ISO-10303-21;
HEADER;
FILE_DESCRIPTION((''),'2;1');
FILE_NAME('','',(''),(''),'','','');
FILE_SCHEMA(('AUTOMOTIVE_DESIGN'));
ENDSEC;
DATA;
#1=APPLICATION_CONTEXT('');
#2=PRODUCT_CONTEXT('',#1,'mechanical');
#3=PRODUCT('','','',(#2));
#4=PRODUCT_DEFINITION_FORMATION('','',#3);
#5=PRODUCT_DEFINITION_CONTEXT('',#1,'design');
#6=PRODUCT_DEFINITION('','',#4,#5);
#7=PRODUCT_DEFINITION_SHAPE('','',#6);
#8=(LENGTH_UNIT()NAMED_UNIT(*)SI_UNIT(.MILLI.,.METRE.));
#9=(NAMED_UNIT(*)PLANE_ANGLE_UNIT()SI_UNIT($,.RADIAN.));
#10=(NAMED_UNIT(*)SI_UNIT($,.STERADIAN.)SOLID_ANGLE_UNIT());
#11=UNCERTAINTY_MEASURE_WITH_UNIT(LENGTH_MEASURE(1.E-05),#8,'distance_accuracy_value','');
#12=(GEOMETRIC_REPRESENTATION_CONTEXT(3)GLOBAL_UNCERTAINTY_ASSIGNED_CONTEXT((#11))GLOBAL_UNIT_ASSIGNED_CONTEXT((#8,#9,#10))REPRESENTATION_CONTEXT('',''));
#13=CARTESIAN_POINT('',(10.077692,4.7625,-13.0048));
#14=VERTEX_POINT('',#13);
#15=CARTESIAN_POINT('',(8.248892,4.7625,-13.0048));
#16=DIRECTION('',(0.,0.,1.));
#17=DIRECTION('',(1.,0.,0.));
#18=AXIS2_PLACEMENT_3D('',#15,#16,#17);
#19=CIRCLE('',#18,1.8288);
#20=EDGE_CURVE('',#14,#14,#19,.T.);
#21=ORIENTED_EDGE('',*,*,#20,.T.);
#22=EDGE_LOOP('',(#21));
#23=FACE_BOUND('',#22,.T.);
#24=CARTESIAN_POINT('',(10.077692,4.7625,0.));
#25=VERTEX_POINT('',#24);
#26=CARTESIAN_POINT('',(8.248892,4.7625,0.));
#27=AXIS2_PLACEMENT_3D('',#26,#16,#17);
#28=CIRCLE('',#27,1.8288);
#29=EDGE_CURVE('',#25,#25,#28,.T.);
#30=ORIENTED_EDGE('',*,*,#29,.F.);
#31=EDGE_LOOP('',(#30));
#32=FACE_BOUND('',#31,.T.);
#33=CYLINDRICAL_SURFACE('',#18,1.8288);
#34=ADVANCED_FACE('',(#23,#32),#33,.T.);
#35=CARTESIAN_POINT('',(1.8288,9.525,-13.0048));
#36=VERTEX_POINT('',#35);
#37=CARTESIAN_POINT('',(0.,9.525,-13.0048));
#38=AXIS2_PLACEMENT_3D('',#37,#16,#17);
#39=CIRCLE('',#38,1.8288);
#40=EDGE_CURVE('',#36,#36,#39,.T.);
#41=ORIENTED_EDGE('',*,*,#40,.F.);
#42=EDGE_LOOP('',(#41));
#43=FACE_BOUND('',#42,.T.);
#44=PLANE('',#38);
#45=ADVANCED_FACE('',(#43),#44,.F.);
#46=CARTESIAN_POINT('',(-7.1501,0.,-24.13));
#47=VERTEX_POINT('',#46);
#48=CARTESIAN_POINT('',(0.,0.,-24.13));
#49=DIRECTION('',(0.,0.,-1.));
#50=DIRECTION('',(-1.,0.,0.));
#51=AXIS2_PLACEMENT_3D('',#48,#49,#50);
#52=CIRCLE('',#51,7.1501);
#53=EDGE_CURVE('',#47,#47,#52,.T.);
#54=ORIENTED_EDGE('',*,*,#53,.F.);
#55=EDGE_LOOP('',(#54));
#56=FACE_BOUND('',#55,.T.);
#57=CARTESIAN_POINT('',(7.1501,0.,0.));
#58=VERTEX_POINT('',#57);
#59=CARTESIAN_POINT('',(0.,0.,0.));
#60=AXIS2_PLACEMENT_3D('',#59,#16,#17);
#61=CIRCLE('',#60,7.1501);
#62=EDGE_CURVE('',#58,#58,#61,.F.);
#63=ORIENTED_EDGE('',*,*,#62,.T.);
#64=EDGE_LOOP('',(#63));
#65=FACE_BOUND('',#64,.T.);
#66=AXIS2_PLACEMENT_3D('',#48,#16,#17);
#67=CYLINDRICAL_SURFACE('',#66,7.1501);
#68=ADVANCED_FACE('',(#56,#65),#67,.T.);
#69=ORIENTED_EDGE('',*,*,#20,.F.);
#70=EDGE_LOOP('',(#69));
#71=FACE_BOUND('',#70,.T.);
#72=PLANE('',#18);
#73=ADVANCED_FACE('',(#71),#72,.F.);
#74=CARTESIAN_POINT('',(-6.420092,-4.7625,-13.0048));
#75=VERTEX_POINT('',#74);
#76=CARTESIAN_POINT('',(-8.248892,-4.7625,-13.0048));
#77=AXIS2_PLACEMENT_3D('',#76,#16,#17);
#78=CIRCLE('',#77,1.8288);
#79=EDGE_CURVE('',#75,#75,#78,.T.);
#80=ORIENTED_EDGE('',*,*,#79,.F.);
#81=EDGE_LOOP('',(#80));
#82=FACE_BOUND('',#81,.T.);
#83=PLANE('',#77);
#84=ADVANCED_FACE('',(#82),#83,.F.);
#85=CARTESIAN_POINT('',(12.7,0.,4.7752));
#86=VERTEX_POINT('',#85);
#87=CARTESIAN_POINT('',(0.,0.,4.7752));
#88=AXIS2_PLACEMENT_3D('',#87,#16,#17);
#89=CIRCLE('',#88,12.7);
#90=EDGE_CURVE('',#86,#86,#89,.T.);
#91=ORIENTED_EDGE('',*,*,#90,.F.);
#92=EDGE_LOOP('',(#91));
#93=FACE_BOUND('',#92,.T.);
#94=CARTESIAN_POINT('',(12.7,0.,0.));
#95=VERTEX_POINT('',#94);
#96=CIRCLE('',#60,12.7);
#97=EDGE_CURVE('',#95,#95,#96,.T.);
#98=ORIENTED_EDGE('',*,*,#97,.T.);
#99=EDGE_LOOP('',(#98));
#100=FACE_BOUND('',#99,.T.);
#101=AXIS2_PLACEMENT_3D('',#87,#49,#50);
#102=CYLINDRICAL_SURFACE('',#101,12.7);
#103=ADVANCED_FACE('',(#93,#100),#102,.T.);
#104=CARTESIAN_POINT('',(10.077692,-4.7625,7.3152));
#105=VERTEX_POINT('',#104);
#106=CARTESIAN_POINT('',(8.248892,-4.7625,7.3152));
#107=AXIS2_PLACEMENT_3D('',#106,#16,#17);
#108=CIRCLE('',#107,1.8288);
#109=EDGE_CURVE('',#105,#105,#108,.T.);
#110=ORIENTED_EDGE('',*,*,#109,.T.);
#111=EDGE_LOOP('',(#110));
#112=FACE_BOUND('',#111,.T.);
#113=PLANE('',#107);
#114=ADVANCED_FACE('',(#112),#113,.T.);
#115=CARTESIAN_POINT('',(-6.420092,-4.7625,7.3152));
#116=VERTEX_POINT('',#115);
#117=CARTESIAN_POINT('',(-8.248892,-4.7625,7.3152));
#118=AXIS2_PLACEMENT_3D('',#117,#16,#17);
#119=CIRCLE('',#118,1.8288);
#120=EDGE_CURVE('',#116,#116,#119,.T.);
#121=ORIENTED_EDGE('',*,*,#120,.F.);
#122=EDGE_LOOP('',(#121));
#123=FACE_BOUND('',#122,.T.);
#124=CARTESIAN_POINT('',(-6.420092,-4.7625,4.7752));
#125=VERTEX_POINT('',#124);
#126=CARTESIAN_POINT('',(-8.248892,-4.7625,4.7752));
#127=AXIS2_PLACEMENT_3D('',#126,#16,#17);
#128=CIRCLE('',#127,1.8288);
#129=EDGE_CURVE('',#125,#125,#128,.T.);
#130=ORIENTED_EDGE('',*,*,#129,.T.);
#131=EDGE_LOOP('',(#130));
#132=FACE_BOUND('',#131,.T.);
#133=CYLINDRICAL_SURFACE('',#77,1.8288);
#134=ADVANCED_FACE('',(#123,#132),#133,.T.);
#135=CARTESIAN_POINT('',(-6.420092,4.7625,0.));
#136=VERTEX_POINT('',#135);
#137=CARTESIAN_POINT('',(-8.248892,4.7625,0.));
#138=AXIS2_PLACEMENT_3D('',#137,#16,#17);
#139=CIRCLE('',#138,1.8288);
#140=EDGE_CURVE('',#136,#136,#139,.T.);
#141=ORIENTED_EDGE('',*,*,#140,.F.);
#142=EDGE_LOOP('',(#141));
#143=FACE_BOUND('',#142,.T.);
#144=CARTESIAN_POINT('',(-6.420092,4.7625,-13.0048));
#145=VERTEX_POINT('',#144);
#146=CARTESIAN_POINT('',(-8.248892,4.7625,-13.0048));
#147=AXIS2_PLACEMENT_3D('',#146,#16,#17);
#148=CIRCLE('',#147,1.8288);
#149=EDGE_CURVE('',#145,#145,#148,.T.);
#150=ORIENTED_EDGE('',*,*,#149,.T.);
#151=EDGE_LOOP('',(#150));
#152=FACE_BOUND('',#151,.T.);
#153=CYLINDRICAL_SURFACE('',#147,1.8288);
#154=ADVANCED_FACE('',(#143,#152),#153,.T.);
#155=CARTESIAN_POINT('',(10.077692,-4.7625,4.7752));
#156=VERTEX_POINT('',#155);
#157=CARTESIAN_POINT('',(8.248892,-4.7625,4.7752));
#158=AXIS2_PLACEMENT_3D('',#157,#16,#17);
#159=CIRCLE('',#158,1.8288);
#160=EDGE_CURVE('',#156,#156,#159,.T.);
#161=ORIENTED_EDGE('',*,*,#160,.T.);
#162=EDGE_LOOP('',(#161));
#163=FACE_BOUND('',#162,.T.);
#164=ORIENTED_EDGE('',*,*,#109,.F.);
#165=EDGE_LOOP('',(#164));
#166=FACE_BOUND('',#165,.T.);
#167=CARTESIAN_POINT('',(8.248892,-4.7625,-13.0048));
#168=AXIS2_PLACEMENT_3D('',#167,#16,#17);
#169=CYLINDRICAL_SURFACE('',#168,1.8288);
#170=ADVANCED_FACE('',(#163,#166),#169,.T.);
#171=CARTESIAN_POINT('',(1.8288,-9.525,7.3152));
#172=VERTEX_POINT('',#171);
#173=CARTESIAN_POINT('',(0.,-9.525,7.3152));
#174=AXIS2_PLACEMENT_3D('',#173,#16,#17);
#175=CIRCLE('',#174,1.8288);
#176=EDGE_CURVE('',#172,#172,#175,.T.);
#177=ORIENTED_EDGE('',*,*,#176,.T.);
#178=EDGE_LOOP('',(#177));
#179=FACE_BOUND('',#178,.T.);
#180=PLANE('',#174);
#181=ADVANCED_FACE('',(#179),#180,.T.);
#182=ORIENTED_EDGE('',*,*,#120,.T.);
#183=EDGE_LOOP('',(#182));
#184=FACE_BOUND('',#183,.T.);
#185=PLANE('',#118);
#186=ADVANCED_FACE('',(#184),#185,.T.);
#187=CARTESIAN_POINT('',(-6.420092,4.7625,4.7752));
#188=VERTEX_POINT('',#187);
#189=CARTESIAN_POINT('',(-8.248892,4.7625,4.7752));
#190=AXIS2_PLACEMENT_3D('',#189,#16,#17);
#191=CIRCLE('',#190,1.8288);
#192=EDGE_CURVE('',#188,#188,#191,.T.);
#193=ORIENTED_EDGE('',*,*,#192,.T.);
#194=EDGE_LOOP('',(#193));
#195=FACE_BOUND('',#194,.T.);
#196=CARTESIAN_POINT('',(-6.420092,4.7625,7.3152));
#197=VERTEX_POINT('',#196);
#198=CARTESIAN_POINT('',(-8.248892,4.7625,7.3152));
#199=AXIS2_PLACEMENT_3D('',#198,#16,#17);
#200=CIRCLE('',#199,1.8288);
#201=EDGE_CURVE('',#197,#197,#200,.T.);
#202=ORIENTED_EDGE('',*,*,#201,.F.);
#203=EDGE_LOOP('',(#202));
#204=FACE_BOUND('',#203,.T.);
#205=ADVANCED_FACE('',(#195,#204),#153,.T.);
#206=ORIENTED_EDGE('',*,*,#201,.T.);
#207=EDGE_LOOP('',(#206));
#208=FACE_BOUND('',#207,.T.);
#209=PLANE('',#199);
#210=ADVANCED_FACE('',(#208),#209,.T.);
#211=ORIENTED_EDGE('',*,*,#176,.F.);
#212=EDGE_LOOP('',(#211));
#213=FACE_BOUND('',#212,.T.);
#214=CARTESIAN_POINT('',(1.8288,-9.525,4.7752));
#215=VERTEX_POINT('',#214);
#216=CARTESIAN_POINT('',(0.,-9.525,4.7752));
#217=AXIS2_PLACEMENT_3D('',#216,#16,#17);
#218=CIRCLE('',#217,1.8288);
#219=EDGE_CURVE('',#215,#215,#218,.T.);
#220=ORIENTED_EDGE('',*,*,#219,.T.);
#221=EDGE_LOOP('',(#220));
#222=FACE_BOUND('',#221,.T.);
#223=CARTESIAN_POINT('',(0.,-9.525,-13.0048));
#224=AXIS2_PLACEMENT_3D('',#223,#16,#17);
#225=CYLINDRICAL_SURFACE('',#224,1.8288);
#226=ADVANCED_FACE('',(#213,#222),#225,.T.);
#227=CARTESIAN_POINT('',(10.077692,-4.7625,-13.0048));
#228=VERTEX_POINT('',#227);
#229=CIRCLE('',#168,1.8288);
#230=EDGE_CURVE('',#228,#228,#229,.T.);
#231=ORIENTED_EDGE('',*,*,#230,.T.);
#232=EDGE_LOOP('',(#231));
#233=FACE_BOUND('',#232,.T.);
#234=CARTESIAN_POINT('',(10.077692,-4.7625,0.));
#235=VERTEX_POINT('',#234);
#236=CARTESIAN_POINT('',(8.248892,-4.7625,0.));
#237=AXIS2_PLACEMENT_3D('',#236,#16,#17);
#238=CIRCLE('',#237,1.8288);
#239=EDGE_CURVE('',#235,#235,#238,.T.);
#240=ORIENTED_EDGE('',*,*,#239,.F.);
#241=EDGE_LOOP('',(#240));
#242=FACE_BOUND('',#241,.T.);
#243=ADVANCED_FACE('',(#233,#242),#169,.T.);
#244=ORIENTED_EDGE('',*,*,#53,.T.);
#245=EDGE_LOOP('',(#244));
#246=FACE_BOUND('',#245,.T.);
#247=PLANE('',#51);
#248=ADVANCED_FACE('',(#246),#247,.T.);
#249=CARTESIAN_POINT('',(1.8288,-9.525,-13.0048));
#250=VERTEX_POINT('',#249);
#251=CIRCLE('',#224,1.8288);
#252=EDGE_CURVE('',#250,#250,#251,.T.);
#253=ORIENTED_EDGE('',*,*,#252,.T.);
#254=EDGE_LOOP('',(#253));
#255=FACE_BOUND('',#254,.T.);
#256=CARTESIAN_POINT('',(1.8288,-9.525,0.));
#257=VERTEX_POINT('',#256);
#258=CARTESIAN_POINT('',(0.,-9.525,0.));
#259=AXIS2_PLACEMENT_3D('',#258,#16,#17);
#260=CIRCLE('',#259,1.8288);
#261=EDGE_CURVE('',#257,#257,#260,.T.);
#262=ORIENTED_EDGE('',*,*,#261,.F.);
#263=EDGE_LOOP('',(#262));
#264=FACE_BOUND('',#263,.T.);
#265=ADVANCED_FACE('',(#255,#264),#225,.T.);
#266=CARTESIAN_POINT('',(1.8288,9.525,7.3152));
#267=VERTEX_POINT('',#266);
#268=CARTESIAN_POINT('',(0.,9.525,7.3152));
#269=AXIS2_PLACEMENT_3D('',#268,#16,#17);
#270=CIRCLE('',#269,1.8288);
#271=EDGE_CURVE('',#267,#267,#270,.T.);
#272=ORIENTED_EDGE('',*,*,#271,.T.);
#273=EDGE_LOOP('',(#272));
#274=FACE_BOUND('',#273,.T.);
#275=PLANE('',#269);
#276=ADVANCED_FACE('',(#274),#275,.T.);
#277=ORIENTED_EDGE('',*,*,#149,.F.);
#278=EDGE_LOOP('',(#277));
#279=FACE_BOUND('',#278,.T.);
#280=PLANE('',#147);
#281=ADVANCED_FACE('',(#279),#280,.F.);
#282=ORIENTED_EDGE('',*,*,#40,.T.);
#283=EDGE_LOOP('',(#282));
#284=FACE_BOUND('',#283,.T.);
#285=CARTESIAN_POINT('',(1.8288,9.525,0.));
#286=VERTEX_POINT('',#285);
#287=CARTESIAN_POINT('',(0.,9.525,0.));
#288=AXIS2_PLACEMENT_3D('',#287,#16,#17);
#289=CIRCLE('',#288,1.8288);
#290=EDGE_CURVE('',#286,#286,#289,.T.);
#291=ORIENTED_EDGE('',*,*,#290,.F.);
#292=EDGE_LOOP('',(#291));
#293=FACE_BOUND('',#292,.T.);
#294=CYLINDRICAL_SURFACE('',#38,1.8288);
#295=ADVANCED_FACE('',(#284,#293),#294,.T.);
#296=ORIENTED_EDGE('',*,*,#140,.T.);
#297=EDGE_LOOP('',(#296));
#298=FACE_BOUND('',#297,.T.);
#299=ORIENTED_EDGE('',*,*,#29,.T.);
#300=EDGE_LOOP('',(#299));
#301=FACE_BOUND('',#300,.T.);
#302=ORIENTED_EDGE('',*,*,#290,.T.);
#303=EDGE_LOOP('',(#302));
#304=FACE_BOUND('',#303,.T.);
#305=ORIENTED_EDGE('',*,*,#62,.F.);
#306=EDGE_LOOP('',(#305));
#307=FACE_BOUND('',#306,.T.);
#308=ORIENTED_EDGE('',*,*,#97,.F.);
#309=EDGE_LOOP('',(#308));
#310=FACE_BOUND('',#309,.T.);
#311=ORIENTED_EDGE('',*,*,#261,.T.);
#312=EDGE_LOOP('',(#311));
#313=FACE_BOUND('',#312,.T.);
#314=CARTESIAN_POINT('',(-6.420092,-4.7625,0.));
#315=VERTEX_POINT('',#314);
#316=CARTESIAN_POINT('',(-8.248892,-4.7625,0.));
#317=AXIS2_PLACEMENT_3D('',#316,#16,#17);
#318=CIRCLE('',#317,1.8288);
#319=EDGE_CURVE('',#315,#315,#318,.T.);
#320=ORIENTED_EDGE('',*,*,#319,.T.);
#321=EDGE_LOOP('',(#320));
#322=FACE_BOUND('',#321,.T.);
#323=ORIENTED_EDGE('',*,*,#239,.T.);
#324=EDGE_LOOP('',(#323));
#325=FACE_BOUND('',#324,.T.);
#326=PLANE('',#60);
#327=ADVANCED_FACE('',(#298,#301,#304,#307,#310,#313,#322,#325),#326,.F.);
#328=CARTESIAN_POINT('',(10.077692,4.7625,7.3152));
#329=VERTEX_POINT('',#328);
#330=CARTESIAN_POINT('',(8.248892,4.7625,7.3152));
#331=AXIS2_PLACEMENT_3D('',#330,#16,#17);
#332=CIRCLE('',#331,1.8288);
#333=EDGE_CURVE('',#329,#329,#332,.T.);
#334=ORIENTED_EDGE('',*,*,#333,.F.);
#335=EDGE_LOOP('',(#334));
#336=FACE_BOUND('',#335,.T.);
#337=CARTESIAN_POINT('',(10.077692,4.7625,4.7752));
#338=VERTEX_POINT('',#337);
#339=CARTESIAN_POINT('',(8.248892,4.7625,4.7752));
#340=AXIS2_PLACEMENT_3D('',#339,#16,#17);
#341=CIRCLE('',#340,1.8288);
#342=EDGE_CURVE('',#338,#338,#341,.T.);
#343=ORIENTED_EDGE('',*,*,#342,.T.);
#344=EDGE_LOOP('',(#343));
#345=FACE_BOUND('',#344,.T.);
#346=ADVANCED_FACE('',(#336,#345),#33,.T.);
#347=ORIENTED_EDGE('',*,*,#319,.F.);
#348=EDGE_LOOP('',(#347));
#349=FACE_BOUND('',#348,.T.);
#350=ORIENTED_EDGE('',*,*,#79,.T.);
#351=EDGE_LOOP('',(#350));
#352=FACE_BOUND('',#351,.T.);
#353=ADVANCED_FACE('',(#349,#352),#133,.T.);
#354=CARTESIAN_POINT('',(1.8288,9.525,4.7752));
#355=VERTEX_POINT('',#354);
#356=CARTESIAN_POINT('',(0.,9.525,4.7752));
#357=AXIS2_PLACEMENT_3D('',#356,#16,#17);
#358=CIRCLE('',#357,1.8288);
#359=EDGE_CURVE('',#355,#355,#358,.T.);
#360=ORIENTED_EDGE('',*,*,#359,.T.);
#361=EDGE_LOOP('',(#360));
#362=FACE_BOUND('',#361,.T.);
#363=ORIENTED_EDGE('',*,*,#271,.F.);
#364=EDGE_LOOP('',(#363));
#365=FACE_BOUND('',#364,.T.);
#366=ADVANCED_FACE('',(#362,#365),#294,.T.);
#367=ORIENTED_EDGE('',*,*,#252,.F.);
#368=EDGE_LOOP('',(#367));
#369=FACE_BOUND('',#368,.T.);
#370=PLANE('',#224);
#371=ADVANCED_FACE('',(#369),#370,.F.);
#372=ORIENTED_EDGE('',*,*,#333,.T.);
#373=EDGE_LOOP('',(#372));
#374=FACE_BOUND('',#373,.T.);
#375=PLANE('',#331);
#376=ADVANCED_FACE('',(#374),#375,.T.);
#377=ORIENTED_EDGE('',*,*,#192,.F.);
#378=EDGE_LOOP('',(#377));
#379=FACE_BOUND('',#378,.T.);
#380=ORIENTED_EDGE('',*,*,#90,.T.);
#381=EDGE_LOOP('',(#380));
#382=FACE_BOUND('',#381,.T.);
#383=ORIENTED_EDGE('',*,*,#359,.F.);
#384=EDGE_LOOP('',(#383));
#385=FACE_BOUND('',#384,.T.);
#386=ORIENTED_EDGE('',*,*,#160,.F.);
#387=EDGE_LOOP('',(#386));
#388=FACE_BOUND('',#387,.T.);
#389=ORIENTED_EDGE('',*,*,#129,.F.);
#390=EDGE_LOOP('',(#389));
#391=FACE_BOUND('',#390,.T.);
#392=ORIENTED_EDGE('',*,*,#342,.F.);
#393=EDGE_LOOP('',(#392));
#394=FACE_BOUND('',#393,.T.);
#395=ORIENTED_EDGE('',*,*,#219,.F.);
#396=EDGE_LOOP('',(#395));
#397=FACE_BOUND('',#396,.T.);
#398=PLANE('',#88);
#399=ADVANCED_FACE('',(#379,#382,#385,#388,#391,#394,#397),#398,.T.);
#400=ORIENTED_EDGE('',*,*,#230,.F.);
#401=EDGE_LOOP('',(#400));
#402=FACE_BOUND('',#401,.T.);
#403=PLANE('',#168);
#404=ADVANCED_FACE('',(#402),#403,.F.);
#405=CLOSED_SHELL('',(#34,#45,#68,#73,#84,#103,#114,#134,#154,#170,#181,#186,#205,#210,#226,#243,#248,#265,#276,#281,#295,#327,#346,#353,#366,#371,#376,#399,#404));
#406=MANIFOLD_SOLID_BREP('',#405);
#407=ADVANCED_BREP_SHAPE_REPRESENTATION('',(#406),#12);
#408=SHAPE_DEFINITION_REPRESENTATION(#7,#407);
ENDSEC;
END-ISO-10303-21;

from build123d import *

# Parameters (mm, degrees)
SKETCH1_R                = 12.7
BOSS_EXTRUDE1_DEPTH      = 4.7752
SKETCH2_R                = 7.1501
BOSS_EXTRUDE2_DEPTH      = 24.13
SKETCH3_R                = 1.8288
BOSS_EXTRUDE3_DEPTH      = 2.54
BOSS_EXTRUDE3_DEPTH_BACK = 17.78


with BuildPart() as part:
    # Sketch1 → Boss-Extrude1 (new body)
    with BuildSketch(Plane.XY):
        Circle(SKETCH1_R)
    extrude(amount=BOSS_EXTRUDE1_DEPTH)

    # Sketch2 → Boss-Extrude2 (add)
    with BuildSketch(Plane(origin=(0, 0, 0), x_dir=(-1, 0, 0), z_dir=(0, 0, -1))):
        Circle(SKETCH2_R)
    extrude(amount=BOSS_EXTRUDE2_DEPTH)

    # Sketch3 → Boss-Extrude3 (add, two sides)
    with BuildSketch(Plane.XY.offset(4.7752)) as boss_extrude3_sk:
        with Locations((0, 9.525)):
            Circle(SKETCH3_R)
        with Locations((8.248891971, 4.7625)):
            Circle(SKETCH3_R)
        with Locations((8.248891971, -4.7625)):
            Circle(SKETCH3_R)
        with Locations((0, -9.525)):
            Circle(SKETCH3_R)
        with Locations((-8.248891971, -4.7625)):
            Circle(SKETCH3_R)
        with Locations((-8.248891971, 4.7625)):
            Circle(SKETCH3_R)
    extrude(amount=BOSS_EXTRUDE3_DEPTH)
    extrude(boss_extrude3_sk.sketch, amount=-BOSS_EXTRUDE3_DEPTH_BACK)


solid = part.part
